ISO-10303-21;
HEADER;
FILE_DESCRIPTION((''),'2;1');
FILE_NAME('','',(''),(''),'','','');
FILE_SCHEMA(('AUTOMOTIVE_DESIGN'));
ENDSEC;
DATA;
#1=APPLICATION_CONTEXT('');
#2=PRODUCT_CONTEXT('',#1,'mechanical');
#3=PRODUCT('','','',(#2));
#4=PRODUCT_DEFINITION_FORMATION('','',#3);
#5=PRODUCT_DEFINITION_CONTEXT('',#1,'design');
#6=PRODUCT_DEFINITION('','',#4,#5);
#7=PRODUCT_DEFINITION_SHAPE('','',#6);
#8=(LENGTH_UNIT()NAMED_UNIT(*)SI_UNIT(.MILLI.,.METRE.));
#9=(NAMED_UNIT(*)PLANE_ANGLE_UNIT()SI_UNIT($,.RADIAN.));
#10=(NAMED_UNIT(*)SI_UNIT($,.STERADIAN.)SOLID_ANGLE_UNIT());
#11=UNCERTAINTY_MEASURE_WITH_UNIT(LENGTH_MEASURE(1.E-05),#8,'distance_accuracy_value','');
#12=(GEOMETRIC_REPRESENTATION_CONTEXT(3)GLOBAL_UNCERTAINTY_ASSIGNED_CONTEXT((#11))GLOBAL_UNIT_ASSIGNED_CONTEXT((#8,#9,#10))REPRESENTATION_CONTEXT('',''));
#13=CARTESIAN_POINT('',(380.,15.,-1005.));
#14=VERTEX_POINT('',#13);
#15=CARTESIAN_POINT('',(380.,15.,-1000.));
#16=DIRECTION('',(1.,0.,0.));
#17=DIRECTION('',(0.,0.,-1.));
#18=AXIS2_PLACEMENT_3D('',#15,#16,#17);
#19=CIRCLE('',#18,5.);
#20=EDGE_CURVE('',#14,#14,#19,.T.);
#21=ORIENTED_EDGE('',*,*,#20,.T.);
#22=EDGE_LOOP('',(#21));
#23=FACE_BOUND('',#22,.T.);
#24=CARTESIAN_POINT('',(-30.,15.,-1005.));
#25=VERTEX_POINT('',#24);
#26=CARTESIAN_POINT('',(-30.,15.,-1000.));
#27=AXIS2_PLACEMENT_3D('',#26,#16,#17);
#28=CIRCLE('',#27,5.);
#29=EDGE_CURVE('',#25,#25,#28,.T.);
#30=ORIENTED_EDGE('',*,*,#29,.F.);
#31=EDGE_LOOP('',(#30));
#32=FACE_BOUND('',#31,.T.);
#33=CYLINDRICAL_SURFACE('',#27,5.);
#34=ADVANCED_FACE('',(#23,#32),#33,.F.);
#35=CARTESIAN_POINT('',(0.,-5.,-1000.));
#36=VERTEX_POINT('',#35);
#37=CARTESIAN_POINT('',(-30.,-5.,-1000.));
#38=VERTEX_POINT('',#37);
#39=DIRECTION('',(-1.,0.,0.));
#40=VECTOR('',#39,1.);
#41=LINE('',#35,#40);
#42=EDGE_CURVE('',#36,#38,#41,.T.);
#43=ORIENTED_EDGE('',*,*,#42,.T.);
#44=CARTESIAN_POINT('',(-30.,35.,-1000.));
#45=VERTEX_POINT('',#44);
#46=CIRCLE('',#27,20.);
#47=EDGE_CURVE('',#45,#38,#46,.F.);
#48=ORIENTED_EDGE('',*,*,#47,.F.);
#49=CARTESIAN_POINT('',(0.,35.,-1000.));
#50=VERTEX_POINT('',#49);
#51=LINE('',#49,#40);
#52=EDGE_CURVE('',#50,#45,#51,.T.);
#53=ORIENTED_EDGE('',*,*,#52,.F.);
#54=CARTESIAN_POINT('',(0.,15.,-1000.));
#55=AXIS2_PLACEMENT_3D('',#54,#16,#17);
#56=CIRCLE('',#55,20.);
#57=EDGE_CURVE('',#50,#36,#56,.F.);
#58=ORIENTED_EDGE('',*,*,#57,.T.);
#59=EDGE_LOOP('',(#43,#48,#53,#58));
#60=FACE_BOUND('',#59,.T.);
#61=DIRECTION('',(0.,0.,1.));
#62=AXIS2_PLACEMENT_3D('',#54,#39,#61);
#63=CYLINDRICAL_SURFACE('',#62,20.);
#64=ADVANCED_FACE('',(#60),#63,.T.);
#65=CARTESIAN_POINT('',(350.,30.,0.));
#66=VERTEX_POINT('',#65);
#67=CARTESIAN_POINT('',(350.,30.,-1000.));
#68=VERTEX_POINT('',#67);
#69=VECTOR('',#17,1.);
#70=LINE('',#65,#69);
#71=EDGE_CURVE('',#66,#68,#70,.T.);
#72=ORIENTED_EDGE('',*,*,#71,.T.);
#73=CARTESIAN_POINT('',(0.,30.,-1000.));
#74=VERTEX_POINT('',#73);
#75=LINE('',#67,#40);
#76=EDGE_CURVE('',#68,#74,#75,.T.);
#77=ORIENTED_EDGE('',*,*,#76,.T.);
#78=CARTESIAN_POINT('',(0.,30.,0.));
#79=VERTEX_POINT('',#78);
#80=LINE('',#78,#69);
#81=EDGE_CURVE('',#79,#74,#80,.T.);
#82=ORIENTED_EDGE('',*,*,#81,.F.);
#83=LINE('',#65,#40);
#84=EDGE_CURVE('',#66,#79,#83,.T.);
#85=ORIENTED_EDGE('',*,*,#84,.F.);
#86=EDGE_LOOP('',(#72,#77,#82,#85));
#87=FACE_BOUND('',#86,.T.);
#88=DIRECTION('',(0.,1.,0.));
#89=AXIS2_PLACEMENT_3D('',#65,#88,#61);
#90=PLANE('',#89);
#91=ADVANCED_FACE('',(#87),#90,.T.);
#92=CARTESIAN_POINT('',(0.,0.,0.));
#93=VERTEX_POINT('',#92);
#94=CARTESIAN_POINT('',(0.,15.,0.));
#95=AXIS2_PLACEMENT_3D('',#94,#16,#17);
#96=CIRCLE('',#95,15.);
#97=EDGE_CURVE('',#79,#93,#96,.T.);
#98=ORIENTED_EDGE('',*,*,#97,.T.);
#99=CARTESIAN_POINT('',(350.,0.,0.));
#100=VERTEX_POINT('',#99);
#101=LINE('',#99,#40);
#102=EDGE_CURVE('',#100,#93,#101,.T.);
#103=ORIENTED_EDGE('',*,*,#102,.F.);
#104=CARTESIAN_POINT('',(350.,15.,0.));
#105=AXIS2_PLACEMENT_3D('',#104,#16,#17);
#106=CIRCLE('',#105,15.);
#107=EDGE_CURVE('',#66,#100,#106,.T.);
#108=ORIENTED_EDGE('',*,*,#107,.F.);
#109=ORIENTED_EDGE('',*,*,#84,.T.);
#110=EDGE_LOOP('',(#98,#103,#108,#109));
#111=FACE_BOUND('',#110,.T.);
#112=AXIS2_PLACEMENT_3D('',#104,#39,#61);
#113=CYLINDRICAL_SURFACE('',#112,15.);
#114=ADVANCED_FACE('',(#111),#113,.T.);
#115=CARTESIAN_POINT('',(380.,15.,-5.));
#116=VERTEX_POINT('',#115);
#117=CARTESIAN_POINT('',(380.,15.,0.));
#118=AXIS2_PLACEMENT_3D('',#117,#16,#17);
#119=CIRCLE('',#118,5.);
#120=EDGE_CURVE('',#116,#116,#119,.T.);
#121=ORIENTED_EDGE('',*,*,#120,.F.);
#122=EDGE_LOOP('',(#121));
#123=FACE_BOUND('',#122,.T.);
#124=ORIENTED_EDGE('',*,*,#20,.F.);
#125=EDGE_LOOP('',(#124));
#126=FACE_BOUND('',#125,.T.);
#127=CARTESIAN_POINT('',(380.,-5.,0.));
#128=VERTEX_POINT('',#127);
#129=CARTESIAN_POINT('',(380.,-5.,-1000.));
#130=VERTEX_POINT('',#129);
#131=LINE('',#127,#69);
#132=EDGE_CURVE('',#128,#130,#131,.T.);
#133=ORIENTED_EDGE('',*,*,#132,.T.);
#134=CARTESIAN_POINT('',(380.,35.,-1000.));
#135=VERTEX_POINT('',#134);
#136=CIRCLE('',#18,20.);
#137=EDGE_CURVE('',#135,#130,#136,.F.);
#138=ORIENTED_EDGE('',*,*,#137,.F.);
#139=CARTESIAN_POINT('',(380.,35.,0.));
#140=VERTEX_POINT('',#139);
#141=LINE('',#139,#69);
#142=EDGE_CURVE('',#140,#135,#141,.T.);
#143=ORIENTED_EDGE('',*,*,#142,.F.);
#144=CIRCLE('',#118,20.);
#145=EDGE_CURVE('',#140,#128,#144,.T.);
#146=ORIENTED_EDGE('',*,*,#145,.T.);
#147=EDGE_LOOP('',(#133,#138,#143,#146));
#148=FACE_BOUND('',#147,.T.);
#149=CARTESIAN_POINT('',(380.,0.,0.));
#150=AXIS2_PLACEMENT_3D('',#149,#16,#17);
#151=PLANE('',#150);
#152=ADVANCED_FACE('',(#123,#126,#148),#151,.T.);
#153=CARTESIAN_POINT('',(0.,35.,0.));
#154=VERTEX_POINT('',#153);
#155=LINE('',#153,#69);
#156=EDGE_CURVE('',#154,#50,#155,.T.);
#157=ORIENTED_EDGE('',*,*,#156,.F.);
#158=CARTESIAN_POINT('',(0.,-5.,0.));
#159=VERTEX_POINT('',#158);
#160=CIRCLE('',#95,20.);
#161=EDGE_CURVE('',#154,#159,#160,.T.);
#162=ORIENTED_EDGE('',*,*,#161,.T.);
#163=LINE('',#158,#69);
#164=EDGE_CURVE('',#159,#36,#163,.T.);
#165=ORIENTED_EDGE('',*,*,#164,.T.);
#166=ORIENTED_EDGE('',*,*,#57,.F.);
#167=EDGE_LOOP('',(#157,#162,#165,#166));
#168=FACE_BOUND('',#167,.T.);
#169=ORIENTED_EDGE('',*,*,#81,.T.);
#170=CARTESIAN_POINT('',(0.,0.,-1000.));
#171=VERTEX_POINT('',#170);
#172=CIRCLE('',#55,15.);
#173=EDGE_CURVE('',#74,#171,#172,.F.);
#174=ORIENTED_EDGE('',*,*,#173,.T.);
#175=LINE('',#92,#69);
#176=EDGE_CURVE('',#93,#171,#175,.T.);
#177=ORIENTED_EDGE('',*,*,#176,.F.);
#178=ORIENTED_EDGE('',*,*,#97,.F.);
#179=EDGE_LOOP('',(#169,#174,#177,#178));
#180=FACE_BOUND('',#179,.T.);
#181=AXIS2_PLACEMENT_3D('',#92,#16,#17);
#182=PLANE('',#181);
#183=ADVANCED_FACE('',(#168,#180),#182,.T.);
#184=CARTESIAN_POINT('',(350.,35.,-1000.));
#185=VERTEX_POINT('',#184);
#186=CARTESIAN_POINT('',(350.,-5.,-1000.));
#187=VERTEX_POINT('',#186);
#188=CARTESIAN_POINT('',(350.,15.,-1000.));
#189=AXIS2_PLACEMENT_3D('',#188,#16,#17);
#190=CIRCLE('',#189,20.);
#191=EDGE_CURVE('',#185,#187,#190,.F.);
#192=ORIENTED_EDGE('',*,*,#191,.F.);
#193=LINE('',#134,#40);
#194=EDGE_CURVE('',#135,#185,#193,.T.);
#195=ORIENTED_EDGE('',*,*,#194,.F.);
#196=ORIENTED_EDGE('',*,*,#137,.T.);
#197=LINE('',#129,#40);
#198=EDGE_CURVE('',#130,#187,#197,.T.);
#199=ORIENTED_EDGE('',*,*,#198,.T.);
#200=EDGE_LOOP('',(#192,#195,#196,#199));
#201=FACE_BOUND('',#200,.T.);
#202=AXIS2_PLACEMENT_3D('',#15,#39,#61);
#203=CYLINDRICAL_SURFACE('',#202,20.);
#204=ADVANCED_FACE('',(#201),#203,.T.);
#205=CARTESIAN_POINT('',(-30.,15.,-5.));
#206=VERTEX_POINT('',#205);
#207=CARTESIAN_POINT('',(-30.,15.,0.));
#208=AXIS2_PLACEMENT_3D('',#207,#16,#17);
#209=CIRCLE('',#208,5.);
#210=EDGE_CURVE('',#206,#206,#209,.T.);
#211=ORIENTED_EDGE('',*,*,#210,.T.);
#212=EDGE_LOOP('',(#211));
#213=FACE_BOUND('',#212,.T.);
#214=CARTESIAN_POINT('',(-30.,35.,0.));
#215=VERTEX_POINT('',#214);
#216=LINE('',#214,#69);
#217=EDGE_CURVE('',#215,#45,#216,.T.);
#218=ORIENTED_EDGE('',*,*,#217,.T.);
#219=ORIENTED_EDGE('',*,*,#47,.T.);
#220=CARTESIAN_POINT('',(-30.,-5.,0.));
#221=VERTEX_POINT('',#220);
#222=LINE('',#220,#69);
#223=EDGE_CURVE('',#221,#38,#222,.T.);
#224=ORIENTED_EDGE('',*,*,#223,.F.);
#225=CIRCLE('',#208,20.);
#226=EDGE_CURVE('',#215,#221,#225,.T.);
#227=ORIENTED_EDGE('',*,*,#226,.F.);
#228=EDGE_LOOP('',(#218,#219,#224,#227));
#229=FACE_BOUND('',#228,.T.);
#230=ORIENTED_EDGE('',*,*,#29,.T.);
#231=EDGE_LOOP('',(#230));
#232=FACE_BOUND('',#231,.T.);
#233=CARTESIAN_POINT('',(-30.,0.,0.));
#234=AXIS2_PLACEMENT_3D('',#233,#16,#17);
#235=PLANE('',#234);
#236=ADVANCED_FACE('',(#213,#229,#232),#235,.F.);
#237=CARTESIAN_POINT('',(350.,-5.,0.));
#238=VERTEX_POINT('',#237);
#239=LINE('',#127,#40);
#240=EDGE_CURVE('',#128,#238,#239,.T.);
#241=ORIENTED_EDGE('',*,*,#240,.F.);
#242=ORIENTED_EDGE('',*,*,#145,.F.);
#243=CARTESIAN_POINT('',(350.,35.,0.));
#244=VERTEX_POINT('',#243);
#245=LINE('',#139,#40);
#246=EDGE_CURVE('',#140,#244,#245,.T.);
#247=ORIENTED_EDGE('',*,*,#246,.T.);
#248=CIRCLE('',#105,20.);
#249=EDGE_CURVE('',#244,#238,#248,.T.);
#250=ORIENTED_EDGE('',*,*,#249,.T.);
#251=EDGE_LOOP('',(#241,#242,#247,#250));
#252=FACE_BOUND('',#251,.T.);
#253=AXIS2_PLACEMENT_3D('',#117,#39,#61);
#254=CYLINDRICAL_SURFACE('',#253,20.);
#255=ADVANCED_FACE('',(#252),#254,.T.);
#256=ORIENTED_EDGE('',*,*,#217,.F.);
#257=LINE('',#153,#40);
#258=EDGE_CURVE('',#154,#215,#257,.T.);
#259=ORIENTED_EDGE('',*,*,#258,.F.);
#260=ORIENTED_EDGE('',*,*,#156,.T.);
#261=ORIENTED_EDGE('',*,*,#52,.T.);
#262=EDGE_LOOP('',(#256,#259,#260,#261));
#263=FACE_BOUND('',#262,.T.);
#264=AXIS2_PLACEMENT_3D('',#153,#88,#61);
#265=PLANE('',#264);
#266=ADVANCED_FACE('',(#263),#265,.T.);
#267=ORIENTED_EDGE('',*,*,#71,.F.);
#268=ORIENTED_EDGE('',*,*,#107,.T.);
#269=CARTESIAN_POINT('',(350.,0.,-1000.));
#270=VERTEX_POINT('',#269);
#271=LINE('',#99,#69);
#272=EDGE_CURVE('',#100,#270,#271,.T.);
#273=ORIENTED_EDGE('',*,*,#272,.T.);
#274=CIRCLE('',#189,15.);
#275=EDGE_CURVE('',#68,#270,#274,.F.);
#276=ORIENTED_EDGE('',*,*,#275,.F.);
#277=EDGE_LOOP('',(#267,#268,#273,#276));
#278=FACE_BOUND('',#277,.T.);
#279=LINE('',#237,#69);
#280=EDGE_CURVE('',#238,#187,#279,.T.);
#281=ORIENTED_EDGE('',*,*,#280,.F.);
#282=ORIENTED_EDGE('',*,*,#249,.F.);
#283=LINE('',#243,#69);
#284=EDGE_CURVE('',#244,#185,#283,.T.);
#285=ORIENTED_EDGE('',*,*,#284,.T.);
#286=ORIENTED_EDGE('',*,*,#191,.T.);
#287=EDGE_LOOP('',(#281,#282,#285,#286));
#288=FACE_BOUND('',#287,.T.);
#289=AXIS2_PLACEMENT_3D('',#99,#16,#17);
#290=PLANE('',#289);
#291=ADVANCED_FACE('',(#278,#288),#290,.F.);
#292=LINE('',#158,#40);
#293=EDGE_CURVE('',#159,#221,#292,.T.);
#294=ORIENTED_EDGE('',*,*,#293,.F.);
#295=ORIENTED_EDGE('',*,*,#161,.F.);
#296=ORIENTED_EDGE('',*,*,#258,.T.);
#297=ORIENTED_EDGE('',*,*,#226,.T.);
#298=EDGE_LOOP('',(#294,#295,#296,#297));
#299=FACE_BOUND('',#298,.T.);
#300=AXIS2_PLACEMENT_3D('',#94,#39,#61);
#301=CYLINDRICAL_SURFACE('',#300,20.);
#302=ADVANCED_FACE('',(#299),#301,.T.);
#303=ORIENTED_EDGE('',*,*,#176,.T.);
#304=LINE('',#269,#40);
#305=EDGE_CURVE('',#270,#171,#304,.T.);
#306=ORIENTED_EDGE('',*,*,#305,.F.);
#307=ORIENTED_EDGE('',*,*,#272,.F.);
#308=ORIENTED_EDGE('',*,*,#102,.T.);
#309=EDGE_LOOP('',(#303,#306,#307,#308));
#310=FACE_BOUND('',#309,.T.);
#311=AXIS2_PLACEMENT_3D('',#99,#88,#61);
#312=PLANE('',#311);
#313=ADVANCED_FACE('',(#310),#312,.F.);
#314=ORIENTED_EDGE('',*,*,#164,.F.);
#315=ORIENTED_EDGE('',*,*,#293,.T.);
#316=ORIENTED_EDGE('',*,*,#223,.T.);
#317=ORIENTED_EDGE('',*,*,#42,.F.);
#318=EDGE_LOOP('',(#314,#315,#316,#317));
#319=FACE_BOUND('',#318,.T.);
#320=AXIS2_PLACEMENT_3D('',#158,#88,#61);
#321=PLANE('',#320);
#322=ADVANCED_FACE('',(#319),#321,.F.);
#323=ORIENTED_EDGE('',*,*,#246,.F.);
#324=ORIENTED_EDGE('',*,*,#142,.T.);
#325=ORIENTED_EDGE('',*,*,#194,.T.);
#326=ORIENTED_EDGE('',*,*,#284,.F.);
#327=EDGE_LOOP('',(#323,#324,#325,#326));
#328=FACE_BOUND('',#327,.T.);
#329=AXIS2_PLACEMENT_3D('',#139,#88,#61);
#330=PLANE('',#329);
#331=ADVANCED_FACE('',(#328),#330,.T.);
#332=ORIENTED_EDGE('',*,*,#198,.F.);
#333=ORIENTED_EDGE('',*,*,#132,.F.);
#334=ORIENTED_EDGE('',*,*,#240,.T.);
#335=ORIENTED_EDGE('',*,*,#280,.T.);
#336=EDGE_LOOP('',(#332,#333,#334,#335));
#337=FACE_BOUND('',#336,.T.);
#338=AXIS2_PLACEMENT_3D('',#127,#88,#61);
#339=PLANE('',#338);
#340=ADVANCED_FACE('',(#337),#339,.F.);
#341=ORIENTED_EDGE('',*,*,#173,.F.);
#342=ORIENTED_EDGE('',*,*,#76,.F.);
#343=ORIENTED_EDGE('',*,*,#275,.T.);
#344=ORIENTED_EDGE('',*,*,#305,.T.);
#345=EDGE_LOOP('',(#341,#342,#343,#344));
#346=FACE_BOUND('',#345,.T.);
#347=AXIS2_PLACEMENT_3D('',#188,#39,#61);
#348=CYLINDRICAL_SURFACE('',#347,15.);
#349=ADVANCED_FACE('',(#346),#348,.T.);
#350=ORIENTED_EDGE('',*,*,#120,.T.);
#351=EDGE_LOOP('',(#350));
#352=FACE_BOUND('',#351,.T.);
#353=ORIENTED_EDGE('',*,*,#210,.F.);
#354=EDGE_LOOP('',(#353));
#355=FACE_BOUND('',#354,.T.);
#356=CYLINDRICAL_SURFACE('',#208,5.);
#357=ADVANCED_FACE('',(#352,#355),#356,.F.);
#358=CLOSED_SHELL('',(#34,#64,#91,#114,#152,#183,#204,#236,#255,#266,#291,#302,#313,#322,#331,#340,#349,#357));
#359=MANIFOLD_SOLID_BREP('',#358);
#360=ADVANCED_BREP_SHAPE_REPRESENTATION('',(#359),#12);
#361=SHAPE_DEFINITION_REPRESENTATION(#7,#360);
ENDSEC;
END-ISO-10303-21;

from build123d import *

# Parameters (mm, degrees)
BOSS_EXTRUDE1_DEPTH = 350
BOSS_EXTRUDE2_DEPTH = 30
LPATTERN1_COUNT     = 2
LPATTERN1_PITCH     = 380
SKETCH3_R           = 5
CUT_EXTRUDE1_DEPTH  = 1100.874992897


with BuildPart() as part:
    # Sketch1 → Boss-Extrude1 (new body)
    with BuildSketch(Plane(origin=(0, 0, 0), x_dir=(0, 0, -1), z_dir=(1, 0, 0))):
        with BuildLine():
            Line((1000, 30), (0, 30))
            ThreePointArc((0, 30), (-15, 15), (0, 0))
            Line((0, 0), (1000, 0))
            ThreePointArc((1000, 0), (1015, 15), (1000, 30))
        make_face()
    extrude(amount=BOSS_EXTRUDE1_DEPTH)

    # Sketch2 → Boss-Extrude2 (add)
    with BuildSketch(Plane(origin=(350, 0, 0), x_dir=(0, 0, -1), z_dir=(1, 0, 0))):
        with BuildLine():
            Line((0, -5), (1000, -5))
            ThreePointArc((1000, -5), (1020, 15), (1000, 35))
            Line((1000, 35), (0, 35))
            ThreePointArc((0, 35), (-20, 15), (0, -5))
        make_face()
    boss_extrude2 = extrude(amount=BOSS_EXTRUDE2_DEPTH)

    # LPattern1: Boss-Extrude2 ×2
    with Locations(*[(-i * LPATTERN1_PITCH, 0, 0) for i in range(1, LPATTERN1_COUNT)]):
        add(boss_extrude2)

    # Sketch3 → Cut-Extrude1 (cut, through all)
    with BuildSketch(Plane(origin=(380, 0, 0), x_dir=(0, 0, -1), z_dir=(1, 0, 0))):
        with Locations((0, 15)):
            Circle(SKETCH3_R)
        with Locations((1000, 15)):
            Circle(SKETCH3_R)
    extrude(amount=-CUT_EXTRUDE1_DEPTH, mode=Mode.SUBTRACT)


solid = part.part
